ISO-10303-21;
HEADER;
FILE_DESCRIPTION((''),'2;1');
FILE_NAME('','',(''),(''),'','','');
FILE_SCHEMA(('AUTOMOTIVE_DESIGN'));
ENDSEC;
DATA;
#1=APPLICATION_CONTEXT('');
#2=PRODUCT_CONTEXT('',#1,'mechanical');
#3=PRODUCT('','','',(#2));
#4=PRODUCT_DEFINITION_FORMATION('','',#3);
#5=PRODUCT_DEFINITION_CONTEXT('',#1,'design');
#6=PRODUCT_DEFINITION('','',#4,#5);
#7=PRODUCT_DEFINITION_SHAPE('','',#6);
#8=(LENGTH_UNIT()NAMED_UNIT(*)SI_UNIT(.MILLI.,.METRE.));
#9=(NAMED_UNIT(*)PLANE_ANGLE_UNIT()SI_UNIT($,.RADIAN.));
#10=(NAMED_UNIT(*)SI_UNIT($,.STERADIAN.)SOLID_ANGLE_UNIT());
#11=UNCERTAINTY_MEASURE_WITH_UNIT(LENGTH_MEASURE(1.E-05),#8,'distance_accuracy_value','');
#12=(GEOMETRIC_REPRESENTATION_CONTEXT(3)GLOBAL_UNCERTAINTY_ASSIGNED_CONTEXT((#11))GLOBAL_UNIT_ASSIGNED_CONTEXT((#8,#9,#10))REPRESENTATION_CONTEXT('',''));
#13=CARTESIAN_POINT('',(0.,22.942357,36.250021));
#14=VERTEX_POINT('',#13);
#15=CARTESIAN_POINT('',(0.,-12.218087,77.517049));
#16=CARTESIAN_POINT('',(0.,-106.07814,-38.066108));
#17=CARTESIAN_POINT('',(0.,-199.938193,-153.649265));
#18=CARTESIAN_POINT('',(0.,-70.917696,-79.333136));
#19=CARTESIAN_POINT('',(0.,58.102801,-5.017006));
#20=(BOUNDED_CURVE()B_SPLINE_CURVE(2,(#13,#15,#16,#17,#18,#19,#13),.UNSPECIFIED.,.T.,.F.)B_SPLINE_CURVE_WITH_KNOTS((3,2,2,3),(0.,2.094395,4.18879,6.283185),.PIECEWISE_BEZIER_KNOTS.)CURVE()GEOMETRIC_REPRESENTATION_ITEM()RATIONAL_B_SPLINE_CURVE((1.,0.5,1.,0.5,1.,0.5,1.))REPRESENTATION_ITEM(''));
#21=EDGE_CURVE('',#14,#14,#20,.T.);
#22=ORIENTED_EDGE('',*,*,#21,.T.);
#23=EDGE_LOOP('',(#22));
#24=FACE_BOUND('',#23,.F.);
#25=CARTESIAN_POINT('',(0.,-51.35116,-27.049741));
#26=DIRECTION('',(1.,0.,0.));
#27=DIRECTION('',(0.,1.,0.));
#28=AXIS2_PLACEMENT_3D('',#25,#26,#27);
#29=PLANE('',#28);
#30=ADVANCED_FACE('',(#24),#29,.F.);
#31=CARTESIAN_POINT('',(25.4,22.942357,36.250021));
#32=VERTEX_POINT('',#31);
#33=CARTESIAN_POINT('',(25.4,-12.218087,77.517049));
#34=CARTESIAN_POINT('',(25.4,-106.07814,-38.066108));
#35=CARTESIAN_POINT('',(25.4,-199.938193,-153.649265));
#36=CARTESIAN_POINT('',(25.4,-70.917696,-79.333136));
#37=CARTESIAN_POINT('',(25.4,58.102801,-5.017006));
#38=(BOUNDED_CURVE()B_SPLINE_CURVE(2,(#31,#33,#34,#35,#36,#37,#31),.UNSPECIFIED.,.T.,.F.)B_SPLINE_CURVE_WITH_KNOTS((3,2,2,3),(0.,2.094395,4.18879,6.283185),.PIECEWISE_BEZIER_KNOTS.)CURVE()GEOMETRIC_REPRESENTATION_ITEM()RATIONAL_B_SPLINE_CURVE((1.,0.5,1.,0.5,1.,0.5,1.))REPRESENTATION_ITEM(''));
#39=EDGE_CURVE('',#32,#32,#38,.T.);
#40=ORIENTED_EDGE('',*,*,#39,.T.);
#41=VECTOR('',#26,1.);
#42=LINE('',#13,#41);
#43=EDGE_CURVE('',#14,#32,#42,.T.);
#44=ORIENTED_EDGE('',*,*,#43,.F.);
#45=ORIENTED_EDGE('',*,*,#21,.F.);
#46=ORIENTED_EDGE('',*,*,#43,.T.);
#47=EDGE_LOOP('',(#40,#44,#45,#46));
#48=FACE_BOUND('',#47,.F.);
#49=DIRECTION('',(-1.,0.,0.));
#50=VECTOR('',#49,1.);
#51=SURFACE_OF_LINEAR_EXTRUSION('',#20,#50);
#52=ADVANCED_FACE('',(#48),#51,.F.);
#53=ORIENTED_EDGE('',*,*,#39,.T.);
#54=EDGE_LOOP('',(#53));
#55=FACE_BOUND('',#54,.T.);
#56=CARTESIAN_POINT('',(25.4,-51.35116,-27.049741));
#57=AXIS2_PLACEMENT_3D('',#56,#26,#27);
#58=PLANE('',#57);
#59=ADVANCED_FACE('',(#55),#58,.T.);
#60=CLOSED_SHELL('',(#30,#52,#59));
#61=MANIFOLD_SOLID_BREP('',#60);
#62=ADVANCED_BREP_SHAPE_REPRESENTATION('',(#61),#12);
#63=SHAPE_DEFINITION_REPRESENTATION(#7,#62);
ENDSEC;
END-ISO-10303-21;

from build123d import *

# Parameters (mm, degrees)
F1_DEPTH = 25.4


with BuildPart() as f1:
    # F0 (on Right) → F1 (new body)
    with BuildSketch(Plane.YZ):
        with BuildLine():
            add(Edge.make_bspline(
                [(22.942357, 36.250021), (-12.218087, 77.517049), (-106.07814, -38.066108), (-199.938193, -153.649265), (-70.917696, -79.333136), (58.102801, -5.017006), (22.942357, 36.250021)],
                knots=[0, 0, 0, 2.094395, 2.094395, 4.18879, 4.18879, 6.283185, 6.283185, 6.283185], degree=2, weights=[1, 0.5, 1, 0.5, 1, 0.5, 1]))
        make_face()
    extrude(amount=F1_DEPTH)


solid = f1.part
